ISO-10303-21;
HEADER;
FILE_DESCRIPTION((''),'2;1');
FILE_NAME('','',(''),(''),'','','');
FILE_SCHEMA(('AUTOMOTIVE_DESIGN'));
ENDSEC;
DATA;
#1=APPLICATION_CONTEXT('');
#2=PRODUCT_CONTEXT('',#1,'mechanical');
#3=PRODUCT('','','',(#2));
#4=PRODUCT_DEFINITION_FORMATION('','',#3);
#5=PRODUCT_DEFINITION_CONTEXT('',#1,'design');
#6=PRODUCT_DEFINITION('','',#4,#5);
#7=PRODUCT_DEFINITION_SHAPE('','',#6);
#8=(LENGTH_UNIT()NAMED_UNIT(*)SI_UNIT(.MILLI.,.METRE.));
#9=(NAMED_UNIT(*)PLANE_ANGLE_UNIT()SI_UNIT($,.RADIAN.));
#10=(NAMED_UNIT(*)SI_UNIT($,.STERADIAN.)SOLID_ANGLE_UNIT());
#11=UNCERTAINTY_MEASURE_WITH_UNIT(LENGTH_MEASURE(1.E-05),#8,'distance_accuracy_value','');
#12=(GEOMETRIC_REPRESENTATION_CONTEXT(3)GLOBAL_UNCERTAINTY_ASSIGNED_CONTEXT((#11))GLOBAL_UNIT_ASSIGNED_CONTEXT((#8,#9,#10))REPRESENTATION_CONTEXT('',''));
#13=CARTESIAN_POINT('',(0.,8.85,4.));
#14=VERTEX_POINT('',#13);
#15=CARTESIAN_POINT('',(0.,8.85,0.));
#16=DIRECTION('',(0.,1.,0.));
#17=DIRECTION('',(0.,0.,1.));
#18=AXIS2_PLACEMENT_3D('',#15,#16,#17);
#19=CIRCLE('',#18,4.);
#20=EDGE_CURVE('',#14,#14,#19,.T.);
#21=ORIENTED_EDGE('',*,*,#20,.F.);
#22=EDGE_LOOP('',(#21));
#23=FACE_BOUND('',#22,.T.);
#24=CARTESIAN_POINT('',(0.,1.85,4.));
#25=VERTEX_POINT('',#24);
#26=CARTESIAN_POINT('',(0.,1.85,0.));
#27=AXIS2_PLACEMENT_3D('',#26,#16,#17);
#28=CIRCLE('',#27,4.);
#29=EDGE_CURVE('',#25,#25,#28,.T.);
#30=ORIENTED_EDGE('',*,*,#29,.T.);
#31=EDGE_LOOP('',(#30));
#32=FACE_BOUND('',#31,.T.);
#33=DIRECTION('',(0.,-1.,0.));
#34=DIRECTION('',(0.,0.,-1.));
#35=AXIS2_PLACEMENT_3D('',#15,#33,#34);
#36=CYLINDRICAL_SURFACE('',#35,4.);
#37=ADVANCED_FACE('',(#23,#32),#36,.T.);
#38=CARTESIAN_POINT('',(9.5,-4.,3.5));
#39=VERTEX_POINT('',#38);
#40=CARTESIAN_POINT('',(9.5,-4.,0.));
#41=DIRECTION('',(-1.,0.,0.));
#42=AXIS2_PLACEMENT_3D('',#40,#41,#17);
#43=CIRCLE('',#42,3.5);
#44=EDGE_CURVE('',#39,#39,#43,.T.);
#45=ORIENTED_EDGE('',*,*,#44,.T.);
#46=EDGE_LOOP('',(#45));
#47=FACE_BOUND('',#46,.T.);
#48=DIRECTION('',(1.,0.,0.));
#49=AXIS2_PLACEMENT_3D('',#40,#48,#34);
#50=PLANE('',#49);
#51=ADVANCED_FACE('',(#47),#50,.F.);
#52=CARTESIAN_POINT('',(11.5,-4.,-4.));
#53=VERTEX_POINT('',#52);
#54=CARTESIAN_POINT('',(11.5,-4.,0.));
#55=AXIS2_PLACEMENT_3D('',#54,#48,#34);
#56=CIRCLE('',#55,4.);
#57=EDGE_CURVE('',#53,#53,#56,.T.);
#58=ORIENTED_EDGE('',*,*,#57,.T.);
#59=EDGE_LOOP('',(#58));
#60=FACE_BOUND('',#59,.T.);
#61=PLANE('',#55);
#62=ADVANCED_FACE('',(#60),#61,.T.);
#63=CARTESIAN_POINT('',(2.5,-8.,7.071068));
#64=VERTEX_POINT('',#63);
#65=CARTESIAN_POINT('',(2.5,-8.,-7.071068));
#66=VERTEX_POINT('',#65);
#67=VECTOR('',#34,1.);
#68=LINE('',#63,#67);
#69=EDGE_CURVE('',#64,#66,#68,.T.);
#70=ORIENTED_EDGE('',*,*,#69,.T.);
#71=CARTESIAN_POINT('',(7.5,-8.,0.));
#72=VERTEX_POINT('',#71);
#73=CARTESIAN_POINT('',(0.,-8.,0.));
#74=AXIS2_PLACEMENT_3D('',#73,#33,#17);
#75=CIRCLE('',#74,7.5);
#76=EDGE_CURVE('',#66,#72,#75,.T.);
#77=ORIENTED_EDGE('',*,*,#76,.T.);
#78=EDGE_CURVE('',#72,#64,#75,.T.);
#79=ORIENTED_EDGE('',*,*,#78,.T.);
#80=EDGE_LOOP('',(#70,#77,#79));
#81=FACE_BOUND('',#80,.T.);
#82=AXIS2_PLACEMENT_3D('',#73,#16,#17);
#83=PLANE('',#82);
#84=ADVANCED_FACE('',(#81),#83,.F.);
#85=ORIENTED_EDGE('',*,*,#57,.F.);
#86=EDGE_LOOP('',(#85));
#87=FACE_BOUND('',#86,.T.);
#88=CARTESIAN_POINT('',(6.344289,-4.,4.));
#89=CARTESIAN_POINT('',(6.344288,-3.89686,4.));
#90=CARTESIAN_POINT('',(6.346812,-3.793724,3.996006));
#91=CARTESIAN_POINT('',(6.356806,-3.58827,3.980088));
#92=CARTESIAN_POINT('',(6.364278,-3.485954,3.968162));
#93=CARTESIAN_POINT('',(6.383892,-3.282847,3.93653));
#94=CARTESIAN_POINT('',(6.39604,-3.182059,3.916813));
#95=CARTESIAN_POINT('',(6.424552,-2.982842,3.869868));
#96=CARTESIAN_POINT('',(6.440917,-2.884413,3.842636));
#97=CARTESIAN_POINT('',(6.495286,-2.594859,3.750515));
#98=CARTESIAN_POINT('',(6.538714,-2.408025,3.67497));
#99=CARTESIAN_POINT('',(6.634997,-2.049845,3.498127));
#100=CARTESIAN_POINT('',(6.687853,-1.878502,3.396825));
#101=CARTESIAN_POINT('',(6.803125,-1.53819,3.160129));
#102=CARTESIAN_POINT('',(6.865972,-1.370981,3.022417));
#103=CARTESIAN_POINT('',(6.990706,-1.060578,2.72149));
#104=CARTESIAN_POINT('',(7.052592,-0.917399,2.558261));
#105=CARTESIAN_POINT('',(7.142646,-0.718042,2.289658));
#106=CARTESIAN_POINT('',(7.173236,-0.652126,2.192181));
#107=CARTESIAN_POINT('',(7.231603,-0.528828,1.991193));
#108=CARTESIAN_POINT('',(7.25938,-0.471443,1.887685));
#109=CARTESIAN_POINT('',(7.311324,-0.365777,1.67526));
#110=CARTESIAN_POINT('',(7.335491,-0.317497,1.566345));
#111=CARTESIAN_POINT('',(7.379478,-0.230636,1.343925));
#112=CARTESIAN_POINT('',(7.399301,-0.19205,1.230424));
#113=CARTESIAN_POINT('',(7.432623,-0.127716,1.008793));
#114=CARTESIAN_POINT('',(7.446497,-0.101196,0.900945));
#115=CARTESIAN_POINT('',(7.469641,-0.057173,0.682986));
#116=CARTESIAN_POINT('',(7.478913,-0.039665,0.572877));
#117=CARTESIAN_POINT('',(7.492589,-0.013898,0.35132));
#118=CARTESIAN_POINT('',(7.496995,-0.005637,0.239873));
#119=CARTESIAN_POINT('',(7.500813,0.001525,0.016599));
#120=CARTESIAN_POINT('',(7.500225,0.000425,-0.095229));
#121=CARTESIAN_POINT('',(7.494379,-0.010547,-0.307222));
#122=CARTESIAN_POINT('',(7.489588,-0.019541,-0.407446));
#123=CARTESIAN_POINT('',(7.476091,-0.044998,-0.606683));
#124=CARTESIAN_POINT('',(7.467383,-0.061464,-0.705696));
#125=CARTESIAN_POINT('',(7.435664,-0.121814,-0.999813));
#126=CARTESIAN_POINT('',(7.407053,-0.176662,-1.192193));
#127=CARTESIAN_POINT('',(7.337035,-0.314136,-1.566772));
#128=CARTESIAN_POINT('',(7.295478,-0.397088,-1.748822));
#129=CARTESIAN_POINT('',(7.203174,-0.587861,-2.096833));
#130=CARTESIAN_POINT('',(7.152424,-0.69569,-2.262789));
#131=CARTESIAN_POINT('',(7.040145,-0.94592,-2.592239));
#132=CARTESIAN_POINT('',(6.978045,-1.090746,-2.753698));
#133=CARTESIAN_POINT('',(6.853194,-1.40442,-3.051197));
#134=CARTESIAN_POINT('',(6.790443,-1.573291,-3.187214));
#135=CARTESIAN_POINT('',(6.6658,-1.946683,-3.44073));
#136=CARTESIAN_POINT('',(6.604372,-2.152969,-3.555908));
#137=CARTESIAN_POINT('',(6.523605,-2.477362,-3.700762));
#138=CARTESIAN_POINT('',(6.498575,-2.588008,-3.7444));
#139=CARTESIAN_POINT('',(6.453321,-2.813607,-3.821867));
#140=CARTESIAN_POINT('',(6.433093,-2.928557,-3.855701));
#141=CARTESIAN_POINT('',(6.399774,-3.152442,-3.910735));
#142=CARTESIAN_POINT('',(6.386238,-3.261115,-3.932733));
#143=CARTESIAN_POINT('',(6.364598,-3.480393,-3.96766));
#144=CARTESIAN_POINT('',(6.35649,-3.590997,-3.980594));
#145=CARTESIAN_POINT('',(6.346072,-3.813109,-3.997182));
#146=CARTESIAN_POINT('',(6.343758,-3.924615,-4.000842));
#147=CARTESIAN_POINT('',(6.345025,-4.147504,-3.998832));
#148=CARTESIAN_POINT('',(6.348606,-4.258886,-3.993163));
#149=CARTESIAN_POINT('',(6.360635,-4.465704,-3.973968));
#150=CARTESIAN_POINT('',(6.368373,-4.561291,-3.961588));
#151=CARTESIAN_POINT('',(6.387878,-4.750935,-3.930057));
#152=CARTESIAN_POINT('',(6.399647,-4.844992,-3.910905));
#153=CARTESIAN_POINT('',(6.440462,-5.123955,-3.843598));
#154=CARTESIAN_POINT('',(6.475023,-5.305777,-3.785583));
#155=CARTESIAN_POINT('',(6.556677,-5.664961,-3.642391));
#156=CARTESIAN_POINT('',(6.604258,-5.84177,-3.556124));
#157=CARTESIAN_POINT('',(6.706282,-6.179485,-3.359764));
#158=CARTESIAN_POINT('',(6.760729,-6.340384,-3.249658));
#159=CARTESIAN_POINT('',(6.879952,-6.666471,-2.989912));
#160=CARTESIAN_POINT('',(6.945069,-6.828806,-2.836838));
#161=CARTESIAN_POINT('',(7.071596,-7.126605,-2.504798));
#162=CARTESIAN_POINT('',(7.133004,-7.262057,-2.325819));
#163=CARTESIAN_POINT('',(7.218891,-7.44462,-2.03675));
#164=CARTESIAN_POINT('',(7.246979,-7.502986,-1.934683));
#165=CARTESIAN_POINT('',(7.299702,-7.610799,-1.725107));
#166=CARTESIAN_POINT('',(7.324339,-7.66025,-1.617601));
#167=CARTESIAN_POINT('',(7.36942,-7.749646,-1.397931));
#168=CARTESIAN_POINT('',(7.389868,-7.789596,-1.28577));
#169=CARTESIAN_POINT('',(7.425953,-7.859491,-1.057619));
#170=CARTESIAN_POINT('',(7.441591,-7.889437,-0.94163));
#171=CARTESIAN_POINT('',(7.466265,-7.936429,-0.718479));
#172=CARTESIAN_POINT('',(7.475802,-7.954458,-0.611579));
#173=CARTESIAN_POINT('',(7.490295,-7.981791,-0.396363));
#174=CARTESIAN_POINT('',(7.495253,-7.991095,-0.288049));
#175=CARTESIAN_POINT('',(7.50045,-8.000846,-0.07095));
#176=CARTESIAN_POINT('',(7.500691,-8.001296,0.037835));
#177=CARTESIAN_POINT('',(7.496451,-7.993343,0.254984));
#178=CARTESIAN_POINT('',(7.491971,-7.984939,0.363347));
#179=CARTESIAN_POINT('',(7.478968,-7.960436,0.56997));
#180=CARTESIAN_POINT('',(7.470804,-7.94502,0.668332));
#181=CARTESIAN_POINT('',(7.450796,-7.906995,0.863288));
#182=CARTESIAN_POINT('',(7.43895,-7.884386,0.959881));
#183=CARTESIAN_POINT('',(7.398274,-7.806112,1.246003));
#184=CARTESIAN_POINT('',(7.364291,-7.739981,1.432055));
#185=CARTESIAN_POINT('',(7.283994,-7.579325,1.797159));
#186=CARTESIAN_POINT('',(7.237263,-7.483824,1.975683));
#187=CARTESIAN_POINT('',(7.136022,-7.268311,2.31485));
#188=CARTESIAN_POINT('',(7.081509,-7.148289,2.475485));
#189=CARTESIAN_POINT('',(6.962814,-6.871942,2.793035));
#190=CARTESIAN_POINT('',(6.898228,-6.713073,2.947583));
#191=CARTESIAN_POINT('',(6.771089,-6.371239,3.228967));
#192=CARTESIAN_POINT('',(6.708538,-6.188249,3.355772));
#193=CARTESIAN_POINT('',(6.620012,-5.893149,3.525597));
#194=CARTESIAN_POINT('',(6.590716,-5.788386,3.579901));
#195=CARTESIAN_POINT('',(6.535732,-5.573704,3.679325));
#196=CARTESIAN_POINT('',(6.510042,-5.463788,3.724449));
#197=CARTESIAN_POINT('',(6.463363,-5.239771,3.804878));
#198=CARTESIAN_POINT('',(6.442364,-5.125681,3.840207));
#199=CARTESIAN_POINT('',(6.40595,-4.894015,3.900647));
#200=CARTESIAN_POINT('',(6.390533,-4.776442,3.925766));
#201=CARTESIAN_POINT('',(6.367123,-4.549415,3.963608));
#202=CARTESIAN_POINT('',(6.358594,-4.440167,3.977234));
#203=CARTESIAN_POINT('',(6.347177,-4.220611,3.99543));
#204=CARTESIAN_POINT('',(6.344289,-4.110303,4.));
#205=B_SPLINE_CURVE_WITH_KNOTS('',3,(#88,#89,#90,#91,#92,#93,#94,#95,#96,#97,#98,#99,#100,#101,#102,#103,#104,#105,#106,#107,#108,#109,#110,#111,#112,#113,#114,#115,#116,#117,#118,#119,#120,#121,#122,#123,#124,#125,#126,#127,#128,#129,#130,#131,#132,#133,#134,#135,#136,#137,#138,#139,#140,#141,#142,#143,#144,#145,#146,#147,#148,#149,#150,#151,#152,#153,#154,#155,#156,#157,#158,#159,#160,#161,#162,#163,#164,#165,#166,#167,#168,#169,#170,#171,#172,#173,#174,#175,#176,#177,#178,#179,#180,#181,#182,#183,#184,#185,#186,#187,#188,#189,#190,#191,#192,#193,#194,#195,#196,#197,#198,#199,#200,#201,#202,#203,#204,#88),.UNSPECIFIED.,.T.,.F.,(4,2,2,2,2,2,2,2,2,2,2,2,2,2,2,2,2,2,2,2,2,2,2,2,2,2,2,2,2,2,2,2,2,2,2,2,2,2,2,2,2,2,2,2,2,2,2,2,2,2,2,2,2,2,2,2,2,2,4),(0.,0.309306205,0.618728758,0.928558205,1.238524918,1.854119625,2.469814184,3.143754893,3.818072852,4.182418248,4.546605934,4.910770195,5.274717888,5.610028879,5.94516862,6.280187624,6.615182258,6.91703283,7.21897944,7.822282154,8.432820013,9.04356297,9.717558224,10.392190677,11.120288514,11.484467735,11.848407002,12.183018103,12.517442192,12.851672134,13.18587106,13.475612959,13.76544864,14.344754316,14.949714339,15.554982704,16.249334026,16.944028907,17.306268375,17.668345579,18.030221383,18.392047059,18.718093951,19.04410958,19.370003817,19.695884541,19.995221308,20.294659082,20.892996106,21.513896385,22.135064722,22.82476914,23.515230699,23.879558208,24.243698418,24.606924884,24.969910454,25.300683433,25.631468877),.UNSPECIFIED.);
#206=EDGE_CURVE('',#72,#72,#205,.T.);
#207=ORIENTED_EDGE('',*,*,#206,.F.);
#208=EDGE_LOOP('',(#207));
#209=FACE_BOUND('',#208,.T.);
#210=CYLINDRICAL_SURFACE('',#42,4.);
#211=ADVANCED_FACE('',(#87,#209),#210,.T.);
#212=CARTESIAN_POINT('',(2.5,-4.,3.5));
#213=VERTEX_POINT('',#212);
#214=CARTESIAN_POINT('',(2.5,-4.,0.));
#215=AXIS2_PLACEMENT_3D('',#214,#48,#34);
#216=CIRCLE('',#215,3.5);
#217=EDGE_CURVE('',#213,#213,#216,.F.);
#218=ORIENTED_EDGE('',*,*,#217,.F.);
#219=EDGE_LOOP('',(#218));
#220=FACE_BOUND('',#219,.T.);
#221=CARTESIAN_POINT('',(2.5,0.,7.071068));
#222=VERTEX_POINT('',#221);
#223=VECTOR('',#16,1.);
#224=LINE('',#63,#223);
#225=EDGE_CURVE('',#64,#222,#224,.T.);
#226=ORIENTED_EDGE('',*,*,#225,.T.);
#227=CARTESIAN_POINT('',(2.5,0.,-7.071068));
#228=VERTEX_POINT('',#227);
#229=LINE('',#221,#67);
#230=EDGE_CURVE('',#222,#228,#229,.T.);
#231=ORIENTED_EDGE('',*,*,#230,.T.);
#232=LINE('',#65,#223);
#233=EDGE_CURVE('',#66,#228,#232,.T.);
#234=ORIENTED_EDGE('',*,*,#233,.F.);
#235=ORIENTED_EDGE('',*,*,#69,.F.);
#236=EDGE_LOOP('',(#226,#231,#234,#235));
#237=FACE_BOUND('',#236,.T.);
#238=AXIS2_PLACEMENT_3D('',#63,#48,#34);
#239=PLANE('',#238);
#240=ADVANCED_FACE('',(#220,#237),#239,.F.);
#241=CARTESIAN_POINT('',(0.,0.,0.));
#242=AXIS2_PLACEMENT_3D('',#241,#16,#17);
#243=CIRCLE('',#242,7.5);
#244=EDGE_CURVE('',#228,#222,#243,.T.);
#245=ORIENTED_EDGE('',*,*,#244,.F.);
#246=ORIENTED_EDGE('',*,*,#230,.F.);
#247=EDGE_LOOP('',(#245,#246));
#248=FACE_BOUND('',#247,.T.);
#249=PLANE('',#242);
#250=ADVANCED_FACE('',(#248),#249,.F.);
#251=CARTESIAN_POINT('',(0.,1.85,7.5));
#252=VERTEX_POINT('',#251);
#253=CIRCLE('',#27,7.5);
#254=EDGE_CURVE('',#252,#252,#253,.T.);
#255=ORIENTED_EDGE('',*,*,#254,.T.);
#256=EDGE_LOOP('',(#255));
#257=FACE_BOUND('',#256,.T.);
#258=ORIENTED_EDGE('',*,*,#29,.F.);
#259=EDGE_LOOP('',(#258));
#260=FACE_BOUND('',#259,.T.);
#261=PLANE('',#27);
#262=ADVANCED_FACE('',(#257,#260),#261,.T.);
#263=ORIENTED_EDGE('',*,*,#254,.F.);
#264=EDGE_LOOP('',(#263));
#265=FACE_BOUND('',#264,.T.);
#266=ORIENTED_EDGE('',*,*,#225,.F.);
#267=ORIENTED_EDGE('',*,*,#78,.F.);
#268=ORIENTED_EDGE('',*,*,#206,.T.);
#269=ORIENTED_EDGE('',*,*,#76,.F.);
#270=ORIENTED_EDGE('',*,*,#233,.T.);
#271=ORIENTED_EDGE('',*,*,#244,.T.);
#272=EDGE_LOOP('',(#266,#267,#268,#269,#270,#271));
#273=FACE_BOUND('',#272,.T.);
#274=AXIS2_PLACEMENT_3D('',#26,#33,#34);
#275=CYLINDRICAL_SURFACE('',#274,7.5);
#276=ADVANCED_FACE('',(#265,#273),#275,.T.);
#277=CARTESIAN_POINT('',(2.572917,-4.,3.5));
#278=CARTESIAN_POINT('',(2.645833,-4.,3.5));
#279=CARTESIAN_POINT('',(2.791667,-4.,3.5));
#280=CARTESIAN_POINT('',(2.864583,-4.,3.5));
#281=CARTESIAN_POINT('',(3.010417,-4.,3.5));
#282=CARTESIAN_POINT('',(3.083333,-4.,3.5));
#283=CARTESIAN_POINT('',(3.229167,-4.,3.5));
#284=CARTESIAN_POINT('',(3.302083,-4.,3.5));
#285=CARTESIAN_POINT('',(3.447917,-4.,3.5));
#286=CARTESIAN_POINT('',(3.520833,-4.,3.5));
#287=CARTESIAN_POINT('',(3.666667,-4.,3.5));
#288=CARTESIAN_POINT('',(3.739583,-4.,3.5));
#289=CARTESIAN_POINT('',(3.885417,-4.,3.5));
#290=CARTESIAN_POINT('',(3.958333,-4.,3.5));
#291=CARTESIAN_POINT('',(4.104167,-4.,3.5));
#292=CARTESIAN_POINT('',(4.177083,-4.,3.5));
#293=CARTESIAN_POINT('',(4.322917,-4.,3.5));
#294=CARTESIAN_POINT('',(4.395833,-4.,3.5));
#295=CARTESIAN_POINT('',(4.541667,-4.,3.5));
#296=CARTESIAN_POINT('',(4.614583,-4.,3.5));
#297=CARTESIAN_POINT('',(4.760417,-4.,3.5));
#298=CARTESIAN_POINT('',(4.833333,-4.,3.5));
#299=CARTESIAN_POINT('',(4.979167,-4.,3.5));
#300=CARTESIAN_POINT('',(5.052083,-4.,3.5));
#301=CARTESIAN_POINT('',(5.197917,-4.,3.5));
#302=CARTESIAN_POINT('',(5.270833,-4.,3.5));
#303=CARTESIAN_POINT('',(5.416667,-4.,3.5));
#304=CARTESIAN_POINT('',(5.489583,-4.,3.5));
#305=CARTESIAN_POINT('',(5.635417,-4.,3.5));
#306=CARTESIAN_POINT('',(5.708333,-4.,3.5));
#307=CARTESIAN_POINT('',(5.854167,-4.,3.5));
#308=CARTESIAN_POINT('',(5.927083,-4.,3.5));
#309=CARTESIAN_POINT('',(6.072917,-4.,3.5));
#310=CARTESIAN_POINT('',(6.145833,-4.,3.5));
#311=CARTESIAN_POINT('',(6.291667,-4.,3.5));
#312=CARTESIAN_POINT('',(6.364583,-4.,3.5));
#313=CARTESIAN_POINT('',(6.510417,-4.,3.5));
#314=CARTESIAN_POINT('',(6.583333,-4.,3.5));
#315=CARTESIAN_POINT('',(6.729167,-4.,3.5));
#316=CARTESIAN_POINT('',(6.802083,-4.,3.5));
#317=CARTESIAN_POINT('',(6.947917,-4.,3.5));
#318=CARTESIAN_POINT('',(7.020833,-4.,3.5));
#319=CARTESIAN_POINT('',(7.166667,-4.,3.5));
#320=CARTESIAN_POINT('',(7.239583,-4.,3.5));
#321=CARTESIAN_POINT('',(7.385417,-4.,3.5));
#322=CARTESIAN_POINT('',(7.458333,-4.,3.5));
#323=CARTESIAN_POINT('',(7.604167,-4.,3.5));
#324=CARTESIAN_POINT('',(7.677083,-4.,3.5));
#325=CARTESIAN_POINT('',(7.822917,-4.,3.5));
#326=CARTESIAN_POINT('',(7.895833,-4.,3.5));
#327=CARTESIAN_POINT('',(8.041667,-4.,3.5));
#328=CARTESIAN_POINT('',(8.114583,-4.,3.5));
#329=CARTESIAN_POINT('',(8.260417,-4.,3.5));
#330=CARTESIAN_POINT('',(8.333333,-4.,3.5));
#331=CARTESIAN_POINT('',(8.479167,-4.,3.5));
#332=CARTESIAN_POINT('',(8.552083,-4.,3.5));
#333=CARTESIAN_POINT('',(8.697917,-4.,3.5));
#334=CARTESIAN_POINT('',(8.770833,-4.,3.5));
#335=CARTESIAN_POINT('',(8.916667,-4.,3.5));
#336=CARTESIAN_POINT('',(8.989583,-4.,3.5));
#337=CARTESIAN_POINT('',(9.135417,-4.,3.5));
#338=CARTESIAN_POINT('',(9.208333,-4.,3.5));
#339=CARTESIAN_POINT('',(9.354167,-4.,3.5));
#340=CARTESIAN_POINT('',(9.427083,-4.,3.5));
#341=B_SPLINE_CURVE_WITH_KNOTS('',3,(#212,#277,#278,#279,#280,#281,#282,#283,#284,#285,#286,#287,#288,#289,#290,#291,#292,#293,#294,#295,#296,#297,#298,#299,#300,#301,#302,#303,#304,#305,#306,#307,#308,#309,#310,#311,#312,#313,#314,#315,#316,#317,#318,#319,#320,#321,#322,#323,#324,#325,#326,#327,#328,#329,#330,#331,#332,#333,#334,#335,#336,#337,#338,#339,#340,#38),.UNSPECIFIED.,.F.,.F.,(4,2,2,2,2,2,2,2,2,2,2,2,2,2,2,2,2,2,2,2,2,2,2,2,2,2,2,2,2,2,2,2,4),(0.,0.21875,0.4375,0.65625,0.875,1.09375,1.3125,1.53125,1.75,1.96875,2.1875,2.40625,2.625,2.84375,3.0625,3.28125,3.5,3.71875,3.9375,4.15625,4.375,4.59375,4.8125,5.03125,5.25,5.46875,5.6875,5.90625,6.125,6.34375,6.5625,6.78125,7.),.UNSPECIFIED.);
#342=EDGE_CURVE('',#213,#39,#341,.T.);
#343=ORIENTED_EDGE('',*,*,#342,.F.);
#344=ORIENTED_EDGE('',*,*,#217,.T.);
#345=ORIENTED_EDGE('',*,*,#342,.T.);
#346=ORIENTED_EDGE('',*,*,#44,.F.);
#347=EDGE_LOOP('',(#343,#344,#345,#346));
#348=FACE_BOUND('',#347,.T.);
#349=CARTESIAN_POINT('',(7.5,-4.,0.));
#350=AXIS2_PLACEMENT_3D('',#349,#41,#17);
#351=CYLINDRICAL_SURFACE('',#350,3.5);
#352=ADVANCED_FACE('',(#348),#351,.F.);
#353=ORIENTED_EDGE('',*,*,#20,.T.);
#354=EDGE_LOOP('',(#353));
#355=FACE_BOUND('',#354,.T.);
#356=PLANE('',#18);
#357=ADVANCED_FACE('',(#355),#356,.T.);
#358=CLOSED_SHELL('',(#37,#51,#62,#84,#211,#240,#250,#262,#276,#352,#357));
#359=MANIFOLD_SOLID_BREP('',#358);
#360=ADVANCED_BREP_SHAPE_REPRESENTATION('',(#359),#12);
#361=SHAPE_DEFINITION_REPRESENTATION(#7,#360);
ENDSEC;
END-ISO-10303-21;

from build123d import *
from build123d.topology import SkipClean

# Parameters (mm, degrees)
SKETCH1_R           = 7.5
BOSS_EXTRUDE1_DEPTH = 1.85
BOSS_EXTRUDE2_START = 8
BOSS_EXTRUDE2_DEPTH = 8
SKETCH4_R           = 3.5
CUT_EXTRUDE1_DEPTH  = 14.285330256
SKETCH5_R           = 4
SKETCH5_R_2         = 3.5
BOSS_EXTRUDE3_DEPTH = 7
SKETCH6_R           = 4
BOSS_EXTRUDE4_DEPTH = 7
SKETCH7_R           = 4
BOSS_EXTRUDE5_DEPTH = 2


with BuildPart() as part:
    # Sketch1 → Boss-Extrude1 (new body)
    with BuildSketch(Plane(origin=(0, 0, 0), x_dir=(1, 0, 0), z_dir=(0, 1, 0))):
        with Locations(Location((0, 0, 0), (0, 0, 270))):
            Circle(SKETCH1_R)
    extrude(amount=BOSS_EXTRUDE1_DEPTH)

    # Sketch2 → Boss-Extrude2 (add)
    with SkipClean():  # the faces are left unmerged after this step: merging them gives an invalid solid
        with BuildSketch(Plane.XZ.offset(BOSS_EXTRUDE2_START)):
            with BuildLine():
                Line((2.5, 7.071067812), (2.5, -7.071067812))
                ThreePointArc((2.5, -7.071067812), (7.5, 0), (2.5, 7.071067812))
            make_face()
        extrude(amount=-BOSS_EXTRUDE2_DEPTH)

    # Sketch4 → Cut-Extrude1 (cut, through all)
    with SkipClean():  # the faces are left unmerged after this step: merging them gives an invalid solid
        with BuildSketch(Plane(origin=(0, 0, 0), x_dir=(0, 0, -1), z_dir=(1, 0, 0))):
            with Locations(Location((0, -4, 0), (0, 0, 270))):
                Circle(SKETCH4_R)
        extrude(amount=CUT_EXTRUDE1_DEPTH, mode=Mode.SUBTRACT)

    # Sketch5 → Boss-Extrude3 (add)
    with SkipClean():  # the faces are left unmerged after this step: merging them gives an invalid solid
        with BuildSketch(Plane.ZY.offset(-2.5)):
            with Locations((0, -4)):
                Circle(SKETCH5_R)
            with Locations((0, -4)):
                Circle(SKETCH5_R_2, mode=Mode.SUBTRACT)
        extrude(amount=-BOSS_EXTRUDE3_DEPTH)

    # Sketch6 → Boss-Extrude4 (add)
    with SkipClean():  # the faces are left unmerged after this step: merging them gives an invalid solid
        with BuildSketch(Plane(origin=(0, 1.85, 0), x_dir=(1, 0, 0), z_dir=(0, 1, 0))):
            with Locations(Location((0, 0, 0), (0, 0, 270))):
                Circle(SKETCH6_R)
        extrude(amount=BOSS_EXTRUDE4_DEPTH)

    # Sketch7 → Boss-Extrude5 (add)
    with SkipClean():  # the faces are left unmerged after this step: merging them gives an invalid solid
        with BuildSketch(Plane(origin=(9.5, 0, 0), x_dir=(0, 0, -1), z_dir=(1, 0, 0))):
            with Locations(Location((0, -4, 0), (0, 0, 270))):
                Circle(SKETCH7_R)
        extrude(amount=BOSS_EXTRUDE5_DEPTH)


solid = part.part
